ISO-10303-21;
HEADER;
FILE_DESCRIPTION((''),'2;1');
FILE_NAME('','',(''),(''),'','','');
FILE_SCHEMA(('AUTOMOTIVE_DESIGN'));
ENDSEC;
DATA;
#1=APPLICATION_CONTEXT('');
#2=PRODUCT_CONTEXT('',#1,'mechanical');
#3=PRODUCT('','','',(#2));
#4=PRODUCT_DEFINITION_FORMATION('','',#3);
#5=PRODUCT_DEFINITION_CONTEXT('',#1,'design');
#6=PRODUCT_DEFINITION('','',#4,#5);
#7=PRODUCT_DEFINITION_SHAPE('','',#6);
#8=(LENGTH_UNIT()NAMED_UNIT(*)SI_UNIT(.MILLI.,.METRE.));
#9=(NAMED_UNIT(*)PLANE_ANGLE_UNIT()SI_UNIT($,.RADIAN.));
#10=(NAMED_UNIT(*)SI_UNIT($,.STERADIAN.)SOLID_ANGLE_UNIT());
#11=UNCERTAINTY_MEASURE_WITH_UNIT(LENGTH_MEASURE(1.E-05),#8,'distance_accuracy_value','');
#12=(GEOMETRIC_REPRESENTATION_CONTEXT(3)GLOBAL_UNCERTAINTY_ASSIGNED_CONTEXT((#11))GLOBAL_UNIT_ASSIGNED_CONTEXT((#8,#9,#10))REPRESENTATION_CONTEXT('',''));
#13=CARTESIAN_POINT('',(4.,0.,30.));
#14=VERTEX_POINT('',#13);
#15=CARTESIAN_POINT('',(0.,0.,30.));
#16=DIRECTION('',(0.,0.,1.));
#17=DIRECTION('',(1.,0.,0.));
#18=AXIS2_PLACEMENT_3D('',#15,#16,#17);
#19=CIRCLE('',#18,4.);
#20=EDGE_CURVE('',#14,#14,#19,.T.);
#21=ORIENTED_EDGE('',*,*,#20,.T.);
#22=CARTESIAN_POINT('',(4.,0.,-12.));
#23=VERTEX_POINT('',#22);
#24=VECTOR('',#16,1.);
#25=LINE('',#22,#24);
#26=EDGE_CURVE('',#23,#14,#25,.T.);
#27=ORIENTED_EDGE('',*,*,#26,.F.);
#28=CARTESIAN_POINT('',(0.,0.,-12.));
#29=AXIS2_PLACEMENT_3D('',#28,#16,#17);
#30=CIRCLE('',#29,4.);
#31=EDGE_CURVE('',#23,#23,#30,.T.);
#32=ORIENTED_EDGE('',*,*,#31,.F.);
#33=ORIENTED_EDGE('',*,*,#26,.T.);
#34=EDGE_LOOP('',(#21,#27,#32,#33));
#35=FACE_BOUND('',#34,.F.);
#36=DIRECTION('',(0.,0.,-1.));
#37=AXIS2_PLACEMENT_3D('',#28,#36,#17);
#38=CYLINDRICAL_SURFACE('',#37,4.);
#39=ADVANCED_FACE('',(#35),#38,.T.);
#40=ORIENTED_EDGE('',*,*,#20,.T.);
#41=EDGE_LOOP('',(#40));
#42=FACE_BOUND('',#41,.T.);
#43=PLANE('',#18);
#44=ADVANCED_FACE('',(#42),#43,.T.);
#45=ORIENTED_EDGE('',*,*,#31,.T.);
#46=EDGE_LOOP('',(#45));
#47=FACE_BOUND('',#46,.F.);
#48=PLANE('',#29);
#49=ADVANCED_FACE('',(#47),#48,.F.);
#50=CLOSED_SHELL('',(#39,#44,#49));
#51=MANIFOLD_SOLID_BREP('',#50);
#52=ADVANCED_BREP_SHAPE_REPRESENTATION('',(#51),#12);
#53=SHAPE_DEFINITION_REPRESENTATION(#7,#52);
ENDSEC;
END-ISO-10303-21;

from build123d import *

# Parameters (mm, degrees)
F0_R     = 4
F1_DEPTH = 42


with BuildPart() as f1:
    # F0 (on Top) → F1 (new body)
    with BuildSketch(Plane.XY):
        Circle(F0_R)
    extrude(amount=F1_DEPTH)


with BuildPart() as f1_1:
    # F2: moved
    add(f1.part.moved(Location((0, 0, -12))))


solid = f1_1.part
